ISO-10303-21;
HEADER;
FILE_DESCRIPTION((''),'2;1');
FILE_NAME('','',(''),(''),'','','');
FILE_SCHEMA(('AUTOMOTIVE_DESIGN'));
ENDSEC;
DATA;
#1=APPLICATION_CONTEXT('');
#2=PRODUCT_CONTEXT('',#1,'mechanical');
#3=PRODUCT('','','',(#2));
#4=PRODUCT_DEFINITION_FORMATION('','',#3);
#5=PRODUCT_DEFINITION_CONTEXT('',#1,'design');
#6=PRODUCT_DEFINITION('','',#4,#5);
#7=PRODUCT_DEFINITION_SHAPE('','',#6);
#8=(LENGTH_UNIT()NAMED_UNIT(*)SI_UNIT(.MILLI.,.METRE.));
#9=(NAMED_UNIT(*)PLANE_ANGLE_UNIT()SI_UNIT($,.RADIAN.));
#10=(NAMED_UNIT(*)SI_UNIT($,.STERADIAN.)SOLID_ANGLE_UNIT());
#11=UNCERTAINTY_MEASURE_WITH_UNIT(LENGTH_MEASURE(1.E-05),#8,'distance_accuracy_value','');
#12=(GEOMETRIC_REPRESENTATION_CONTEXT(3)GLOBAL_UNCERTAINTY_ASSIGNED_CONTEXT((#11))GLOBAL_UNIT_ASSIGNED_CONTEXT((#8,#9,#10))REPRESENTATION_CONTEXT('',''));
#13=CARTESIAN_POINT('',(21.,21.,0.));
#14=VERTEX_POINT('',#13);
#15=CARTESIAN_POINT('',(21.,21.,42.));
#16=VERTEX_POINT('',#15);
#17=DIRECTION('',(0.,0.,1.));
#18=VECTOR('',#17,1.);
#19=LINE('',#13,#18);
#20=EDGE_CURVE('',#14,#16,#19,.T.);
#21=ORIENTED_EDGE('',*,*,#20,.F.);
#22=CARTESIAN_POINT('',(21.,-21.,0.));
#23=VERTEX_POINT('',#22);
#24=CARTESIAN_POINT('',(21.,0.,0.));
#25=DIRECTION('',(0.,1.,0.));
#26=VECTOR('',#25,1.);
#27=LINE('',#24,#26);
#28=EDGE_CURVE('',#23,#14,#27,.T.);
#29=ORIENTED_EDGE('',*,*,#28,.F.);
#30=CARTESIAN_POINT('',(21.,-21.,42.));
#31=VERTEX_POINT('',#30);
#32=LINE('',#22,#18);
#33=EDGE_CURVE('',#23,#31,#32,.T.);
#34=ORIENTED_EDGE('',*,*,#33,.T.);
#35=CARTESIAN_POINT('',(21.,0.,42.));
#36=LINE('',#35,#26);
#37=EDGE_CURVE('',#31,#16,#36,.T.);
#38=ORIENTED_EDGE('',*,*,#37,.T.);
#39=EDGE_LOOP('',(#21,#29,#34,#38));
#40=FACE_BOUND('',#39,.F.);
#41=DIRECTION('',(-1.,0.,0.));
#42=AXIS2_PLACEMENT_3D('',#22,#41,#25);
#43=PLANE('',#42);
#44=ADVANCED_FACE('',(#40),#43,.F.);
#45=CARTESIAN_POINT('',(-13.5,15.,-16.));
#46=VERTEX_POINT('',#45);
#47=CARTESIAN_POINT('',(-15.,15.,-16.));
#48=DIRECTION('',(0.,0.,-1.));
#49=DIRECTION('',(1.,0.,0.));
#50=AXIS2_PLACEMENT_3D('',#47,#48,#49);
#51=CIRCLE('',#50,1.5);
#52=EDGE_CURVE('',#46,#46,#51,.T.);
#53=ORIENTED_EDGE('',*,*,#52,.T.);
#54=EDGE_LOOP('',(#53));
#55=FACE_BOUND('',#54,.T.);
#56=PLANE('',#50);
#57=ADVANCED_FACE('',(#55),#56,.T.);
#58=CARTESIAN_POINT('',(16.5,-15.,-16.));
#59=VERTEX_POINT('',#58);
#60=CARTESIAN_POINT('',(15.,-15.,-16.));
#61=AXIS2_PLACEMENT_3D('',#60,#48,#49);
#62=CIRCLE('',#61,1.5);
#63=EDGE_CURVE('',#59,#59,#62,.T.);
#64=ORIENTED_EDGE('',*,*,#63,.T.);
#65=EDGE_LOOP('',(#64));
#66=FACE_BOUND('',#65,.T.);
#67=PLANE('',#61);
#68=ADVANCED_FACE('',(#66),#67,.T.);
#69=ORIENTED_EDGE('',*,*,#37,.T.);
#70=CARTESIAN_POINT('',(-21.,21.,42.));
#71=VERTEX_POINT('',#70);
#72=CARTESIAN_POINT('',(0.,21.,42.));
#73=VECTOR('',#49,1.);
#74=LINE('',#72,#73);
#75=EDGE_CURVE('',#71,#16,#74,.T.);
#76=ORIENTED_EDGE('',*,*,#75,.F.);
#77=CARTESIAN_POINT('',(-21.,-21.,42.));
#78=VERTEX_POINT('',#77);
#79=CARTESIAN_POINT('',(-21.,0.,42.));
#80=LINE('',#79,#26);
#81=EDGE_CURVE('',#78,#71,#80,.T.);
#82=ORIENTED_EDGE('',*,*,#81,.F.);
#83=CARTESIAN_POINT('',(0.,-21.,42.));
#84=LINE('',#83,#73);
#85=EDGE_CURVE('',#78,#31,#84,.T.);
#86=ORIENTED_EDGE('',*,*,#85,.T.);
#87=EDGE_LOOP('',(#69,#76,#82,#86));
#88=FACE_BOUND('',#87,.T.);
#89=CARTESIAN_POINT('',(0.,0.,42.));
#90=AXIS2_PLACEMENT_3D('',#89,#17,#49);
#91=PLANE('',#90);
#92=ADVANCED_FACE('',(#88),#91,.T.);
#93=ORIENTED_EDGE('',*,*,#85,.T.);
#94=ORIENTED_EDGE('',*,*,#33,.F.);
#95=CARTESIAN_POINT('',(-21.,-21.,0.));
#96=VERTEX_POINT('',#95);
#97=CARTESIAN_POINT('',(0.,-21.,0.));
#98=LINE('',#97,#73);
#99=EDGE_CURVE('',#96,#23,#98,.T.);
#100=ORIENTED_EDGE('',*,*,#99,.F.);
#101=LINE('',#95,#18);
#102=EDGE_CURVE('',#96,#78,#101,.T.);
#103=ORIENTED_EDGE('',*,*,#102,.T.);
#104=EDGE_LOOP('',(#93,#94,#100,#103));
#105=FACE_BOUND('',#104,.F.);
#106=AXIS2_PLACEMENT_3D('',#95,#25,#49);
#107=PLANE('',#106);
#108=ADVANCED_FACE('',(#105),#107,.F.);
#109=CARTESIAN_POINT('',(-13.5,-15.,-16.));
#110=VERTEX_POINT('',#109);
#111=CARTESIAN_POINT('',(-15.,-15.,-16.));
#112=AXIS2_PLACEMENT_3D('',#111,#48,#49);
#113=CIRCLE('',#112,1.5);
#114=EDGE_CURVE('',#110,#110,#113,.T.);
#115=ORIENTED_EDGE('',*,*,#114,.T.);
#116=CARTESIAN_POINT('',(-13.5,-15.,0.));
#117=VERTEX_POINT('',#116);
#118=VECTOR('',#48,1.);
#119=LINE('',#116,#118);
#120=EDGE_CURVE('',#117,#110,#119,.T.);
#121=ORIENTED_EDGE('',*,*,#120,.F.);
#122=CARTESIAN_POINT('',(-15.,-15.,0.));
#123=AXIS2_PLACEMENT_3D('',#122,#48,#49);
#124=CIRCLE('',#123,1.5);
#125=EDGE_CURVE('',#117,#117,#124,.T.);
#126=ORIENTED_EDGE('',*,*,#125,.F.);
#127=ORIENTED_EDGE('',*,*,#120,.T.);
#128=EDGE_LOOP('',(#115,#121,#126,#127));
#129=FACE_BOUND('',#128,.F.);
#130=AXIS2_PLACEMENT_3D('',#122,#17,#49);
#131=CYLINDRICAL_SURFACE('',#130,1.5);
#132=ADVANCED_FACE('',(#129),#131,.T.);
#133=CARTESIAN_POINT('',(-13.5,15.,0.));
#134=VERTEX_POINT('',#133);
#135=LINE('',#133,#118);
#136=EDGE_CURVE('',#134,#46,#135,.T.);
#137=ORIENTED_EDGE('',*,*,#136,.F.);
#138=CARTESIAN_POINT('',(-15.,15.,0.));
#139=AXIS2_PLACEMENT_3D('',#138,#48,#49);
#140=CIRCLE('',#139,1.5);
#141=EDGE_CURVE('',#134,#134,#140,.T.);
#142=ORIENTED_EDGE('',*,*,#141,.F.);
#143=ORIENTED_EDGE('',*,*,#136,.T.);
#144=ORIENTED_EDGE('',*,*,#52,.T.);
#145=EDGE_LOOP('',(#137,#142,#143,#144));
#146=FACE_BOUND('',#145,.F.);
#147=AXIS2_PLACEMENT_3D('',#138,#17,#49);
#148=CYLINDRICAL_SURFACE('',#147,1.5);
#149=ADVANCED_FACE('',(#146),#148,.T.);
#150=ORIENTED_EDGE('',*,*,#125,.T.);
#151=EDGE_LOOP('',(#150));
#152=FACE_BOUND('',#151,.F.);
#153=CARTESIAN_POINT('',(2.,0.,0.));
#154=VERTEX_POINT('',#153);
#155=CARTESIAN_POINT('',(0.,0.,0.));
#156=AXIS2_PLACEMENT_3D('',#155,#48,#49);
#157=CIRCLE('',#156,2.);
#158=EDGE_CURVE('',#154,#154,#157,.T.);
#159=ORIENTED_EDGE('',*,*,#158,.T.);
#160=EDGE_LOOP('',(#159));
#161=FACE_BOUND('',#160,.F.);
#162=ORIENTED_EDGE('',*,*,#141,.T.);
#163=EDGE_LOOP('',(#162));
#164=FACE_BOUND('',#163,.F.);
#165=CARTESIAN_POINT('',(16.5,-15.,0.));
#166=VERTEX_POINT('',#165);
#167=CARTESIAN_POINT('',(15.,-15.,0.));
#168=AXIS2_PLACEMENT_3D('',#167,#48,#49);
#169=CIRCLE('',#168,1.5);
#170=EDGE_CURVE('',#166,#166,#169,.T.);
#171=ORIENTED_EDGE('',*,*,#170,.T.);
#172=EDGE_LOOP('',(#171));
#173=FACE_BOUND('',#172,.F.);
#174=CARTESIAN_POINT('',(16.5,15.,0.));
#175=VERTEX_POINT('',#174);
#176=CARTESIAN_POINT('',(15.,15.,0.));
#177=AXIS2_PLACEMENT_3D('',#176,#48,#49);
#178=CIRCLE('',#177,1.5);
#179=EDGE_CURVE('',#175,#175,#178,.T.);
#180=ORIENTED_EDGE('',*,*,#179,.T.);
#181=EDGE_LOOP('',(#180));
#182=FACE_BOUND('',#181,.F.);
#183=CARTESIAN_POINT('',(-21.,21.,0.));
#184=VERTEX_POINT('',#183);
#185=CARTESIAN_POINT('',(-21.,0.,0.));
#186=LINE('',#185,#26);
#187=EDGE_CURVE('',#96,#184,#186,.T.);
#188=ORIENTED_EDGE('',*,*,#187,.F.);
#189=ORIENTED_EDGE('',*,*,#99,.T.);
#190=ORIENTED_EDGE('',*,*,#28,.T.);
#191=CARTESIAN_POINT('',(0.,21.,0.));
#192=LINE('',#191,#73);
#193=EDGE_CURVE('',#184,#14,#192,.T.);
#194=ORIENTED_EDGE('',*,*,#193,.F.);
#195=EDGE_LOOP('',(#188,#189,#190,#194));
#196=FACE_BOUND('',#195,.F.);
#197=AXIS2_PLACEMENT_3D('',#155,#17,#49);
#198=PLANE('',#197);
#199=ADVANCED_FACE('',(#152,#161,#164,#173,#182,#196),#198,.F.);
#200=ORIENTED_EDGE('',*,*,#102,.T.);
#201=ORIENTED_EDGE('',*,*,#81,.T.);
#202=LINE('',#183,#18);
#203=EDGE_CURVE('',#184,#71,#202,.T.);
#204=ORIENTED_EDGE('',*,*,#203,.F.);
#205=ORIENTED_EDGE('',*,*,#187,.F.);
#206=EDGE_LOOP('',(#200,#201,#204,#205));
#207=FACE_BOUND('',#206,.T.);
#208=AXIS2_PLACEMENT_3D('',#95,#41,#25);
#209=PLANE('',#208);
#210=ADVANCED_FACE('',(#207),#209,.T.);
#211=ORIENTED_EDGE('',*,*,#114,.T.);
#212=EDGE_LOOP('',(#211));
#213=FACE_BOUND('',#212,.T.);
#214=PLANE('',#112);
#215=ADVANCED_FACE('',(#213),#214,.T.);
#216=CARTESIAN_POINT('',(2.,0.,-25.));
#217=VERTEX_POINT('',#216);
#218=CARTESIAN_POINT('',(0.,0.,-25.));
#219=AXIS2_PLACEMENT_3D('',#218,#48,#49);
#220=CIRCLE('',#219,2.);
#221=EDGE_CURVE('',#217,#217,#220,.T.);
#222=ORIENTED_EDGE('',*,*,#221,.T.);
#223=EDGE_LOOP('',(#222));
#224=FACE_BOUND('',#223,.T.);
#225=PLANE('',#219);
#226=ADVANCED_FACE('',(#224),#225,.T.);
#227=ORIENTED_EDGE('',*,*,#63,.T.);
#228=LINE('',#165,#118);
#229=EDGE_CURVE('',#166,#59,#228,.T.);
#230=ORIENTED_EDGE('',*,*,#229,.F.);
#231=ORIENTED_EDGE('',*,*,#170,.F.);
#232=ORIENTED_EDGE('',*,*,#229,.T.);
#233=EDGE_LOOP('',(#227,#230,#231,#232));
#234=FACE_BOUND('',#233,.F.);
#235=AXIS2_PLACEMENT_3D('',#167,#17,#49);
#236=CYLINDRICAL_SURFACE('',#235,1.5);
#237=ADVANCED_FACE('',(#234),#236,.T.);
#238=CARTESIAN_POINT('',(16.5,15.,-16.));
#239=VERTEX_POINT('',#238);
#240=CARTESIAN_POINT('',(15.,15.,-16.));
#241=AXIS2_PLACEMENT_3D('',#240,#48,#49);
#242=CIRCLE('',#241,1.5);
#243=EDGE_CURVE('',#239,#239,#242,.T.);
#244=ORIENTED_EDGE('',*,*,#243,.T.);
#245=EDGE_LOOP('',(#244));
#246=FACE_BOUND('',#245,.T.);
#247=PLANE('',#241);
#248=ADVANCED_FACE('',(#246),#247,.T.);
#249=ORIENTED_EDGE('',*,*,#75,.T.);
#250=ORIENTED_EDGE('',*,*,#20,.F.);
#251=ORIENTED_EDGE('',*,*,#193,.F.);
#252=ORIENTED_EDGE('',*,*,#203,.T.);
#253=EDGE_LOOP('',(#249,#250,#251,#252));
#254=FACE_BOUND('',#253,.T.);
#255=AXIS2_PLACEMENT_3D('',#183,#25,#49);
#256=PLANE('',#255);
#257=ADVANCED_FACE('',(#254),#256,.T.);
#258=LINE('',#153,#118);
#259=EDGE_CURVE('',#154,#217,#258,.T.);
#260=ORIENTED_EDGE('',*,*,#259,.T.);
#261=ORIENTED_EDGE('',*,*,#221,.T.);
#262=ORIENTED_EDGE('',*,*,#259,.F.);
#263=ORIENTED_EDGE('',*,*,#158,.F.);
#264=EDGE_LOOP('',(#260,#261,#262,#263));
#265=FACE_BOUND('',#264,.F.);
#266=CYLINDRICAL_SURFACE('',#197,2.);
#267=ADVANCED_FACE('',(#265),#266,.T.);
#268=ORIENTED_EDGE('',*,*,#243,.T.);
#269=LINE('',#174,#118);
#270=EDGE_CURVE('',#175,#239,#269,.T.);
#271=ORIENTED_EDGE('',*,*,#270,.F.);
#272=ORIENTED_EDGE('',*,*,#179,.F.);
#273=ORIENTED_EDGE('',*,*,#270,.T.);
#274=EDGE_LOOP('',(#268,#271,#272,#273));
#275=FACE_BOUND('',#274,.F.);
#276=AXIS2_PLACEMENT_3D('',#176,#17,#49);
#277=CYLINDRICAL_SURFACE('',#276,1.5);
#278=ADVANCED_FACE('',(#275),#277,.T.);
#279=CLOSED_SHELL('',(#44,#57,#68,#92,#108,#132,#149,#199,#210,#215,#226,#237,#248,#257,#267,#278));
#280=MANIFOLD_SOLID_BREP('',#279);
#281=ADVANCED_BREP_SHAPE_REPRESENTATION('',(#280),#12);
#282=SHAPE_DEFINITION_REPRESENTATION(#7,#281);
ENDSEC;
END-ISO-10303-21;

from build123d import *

# Parameters (mm, degrees)
F0_W     = 42
F0_H     = 42
F1_DEPTH = 42
F2_R     = 2
F3_DEPTH = 25
F4_R     = 1.5
F5_DEPTH = 16


with BuildPart() as f1:
    # F0 (on Top) → F1 (new body)
    with BuildSketch(Plane.XY):
        Rectangle(F0_W, F0_H)
    extrude(amount=F1_DEPTH)

    # F2 (on face) → F3 (join)
    with BuildSketch(Plane(origin=(0, 0, 0), x_dir=(1, 0, 0), z_dir=(0, 0, -1))):
        Circle(F2_R)
    extrude(amount=F3_DEPTH)

    # F4 (on face) → F5 (join)
    with BuildSketch(Plane(origin=(0, 0, 0), x_dir=(1, 0, 0), z_dir=(0, 0, -1))):
        with Locations((-15, 15)):
            Circle(F4_R)
        with Locations((15, 15)):
            Circle(F4_R)
        with Locations((15, -15)):
            Circle(F4_R)
        with Locations((-15, -15)):
            Circle(F4_R)
    extrude(amount=F5_DEPTH)


solid = f1.part
